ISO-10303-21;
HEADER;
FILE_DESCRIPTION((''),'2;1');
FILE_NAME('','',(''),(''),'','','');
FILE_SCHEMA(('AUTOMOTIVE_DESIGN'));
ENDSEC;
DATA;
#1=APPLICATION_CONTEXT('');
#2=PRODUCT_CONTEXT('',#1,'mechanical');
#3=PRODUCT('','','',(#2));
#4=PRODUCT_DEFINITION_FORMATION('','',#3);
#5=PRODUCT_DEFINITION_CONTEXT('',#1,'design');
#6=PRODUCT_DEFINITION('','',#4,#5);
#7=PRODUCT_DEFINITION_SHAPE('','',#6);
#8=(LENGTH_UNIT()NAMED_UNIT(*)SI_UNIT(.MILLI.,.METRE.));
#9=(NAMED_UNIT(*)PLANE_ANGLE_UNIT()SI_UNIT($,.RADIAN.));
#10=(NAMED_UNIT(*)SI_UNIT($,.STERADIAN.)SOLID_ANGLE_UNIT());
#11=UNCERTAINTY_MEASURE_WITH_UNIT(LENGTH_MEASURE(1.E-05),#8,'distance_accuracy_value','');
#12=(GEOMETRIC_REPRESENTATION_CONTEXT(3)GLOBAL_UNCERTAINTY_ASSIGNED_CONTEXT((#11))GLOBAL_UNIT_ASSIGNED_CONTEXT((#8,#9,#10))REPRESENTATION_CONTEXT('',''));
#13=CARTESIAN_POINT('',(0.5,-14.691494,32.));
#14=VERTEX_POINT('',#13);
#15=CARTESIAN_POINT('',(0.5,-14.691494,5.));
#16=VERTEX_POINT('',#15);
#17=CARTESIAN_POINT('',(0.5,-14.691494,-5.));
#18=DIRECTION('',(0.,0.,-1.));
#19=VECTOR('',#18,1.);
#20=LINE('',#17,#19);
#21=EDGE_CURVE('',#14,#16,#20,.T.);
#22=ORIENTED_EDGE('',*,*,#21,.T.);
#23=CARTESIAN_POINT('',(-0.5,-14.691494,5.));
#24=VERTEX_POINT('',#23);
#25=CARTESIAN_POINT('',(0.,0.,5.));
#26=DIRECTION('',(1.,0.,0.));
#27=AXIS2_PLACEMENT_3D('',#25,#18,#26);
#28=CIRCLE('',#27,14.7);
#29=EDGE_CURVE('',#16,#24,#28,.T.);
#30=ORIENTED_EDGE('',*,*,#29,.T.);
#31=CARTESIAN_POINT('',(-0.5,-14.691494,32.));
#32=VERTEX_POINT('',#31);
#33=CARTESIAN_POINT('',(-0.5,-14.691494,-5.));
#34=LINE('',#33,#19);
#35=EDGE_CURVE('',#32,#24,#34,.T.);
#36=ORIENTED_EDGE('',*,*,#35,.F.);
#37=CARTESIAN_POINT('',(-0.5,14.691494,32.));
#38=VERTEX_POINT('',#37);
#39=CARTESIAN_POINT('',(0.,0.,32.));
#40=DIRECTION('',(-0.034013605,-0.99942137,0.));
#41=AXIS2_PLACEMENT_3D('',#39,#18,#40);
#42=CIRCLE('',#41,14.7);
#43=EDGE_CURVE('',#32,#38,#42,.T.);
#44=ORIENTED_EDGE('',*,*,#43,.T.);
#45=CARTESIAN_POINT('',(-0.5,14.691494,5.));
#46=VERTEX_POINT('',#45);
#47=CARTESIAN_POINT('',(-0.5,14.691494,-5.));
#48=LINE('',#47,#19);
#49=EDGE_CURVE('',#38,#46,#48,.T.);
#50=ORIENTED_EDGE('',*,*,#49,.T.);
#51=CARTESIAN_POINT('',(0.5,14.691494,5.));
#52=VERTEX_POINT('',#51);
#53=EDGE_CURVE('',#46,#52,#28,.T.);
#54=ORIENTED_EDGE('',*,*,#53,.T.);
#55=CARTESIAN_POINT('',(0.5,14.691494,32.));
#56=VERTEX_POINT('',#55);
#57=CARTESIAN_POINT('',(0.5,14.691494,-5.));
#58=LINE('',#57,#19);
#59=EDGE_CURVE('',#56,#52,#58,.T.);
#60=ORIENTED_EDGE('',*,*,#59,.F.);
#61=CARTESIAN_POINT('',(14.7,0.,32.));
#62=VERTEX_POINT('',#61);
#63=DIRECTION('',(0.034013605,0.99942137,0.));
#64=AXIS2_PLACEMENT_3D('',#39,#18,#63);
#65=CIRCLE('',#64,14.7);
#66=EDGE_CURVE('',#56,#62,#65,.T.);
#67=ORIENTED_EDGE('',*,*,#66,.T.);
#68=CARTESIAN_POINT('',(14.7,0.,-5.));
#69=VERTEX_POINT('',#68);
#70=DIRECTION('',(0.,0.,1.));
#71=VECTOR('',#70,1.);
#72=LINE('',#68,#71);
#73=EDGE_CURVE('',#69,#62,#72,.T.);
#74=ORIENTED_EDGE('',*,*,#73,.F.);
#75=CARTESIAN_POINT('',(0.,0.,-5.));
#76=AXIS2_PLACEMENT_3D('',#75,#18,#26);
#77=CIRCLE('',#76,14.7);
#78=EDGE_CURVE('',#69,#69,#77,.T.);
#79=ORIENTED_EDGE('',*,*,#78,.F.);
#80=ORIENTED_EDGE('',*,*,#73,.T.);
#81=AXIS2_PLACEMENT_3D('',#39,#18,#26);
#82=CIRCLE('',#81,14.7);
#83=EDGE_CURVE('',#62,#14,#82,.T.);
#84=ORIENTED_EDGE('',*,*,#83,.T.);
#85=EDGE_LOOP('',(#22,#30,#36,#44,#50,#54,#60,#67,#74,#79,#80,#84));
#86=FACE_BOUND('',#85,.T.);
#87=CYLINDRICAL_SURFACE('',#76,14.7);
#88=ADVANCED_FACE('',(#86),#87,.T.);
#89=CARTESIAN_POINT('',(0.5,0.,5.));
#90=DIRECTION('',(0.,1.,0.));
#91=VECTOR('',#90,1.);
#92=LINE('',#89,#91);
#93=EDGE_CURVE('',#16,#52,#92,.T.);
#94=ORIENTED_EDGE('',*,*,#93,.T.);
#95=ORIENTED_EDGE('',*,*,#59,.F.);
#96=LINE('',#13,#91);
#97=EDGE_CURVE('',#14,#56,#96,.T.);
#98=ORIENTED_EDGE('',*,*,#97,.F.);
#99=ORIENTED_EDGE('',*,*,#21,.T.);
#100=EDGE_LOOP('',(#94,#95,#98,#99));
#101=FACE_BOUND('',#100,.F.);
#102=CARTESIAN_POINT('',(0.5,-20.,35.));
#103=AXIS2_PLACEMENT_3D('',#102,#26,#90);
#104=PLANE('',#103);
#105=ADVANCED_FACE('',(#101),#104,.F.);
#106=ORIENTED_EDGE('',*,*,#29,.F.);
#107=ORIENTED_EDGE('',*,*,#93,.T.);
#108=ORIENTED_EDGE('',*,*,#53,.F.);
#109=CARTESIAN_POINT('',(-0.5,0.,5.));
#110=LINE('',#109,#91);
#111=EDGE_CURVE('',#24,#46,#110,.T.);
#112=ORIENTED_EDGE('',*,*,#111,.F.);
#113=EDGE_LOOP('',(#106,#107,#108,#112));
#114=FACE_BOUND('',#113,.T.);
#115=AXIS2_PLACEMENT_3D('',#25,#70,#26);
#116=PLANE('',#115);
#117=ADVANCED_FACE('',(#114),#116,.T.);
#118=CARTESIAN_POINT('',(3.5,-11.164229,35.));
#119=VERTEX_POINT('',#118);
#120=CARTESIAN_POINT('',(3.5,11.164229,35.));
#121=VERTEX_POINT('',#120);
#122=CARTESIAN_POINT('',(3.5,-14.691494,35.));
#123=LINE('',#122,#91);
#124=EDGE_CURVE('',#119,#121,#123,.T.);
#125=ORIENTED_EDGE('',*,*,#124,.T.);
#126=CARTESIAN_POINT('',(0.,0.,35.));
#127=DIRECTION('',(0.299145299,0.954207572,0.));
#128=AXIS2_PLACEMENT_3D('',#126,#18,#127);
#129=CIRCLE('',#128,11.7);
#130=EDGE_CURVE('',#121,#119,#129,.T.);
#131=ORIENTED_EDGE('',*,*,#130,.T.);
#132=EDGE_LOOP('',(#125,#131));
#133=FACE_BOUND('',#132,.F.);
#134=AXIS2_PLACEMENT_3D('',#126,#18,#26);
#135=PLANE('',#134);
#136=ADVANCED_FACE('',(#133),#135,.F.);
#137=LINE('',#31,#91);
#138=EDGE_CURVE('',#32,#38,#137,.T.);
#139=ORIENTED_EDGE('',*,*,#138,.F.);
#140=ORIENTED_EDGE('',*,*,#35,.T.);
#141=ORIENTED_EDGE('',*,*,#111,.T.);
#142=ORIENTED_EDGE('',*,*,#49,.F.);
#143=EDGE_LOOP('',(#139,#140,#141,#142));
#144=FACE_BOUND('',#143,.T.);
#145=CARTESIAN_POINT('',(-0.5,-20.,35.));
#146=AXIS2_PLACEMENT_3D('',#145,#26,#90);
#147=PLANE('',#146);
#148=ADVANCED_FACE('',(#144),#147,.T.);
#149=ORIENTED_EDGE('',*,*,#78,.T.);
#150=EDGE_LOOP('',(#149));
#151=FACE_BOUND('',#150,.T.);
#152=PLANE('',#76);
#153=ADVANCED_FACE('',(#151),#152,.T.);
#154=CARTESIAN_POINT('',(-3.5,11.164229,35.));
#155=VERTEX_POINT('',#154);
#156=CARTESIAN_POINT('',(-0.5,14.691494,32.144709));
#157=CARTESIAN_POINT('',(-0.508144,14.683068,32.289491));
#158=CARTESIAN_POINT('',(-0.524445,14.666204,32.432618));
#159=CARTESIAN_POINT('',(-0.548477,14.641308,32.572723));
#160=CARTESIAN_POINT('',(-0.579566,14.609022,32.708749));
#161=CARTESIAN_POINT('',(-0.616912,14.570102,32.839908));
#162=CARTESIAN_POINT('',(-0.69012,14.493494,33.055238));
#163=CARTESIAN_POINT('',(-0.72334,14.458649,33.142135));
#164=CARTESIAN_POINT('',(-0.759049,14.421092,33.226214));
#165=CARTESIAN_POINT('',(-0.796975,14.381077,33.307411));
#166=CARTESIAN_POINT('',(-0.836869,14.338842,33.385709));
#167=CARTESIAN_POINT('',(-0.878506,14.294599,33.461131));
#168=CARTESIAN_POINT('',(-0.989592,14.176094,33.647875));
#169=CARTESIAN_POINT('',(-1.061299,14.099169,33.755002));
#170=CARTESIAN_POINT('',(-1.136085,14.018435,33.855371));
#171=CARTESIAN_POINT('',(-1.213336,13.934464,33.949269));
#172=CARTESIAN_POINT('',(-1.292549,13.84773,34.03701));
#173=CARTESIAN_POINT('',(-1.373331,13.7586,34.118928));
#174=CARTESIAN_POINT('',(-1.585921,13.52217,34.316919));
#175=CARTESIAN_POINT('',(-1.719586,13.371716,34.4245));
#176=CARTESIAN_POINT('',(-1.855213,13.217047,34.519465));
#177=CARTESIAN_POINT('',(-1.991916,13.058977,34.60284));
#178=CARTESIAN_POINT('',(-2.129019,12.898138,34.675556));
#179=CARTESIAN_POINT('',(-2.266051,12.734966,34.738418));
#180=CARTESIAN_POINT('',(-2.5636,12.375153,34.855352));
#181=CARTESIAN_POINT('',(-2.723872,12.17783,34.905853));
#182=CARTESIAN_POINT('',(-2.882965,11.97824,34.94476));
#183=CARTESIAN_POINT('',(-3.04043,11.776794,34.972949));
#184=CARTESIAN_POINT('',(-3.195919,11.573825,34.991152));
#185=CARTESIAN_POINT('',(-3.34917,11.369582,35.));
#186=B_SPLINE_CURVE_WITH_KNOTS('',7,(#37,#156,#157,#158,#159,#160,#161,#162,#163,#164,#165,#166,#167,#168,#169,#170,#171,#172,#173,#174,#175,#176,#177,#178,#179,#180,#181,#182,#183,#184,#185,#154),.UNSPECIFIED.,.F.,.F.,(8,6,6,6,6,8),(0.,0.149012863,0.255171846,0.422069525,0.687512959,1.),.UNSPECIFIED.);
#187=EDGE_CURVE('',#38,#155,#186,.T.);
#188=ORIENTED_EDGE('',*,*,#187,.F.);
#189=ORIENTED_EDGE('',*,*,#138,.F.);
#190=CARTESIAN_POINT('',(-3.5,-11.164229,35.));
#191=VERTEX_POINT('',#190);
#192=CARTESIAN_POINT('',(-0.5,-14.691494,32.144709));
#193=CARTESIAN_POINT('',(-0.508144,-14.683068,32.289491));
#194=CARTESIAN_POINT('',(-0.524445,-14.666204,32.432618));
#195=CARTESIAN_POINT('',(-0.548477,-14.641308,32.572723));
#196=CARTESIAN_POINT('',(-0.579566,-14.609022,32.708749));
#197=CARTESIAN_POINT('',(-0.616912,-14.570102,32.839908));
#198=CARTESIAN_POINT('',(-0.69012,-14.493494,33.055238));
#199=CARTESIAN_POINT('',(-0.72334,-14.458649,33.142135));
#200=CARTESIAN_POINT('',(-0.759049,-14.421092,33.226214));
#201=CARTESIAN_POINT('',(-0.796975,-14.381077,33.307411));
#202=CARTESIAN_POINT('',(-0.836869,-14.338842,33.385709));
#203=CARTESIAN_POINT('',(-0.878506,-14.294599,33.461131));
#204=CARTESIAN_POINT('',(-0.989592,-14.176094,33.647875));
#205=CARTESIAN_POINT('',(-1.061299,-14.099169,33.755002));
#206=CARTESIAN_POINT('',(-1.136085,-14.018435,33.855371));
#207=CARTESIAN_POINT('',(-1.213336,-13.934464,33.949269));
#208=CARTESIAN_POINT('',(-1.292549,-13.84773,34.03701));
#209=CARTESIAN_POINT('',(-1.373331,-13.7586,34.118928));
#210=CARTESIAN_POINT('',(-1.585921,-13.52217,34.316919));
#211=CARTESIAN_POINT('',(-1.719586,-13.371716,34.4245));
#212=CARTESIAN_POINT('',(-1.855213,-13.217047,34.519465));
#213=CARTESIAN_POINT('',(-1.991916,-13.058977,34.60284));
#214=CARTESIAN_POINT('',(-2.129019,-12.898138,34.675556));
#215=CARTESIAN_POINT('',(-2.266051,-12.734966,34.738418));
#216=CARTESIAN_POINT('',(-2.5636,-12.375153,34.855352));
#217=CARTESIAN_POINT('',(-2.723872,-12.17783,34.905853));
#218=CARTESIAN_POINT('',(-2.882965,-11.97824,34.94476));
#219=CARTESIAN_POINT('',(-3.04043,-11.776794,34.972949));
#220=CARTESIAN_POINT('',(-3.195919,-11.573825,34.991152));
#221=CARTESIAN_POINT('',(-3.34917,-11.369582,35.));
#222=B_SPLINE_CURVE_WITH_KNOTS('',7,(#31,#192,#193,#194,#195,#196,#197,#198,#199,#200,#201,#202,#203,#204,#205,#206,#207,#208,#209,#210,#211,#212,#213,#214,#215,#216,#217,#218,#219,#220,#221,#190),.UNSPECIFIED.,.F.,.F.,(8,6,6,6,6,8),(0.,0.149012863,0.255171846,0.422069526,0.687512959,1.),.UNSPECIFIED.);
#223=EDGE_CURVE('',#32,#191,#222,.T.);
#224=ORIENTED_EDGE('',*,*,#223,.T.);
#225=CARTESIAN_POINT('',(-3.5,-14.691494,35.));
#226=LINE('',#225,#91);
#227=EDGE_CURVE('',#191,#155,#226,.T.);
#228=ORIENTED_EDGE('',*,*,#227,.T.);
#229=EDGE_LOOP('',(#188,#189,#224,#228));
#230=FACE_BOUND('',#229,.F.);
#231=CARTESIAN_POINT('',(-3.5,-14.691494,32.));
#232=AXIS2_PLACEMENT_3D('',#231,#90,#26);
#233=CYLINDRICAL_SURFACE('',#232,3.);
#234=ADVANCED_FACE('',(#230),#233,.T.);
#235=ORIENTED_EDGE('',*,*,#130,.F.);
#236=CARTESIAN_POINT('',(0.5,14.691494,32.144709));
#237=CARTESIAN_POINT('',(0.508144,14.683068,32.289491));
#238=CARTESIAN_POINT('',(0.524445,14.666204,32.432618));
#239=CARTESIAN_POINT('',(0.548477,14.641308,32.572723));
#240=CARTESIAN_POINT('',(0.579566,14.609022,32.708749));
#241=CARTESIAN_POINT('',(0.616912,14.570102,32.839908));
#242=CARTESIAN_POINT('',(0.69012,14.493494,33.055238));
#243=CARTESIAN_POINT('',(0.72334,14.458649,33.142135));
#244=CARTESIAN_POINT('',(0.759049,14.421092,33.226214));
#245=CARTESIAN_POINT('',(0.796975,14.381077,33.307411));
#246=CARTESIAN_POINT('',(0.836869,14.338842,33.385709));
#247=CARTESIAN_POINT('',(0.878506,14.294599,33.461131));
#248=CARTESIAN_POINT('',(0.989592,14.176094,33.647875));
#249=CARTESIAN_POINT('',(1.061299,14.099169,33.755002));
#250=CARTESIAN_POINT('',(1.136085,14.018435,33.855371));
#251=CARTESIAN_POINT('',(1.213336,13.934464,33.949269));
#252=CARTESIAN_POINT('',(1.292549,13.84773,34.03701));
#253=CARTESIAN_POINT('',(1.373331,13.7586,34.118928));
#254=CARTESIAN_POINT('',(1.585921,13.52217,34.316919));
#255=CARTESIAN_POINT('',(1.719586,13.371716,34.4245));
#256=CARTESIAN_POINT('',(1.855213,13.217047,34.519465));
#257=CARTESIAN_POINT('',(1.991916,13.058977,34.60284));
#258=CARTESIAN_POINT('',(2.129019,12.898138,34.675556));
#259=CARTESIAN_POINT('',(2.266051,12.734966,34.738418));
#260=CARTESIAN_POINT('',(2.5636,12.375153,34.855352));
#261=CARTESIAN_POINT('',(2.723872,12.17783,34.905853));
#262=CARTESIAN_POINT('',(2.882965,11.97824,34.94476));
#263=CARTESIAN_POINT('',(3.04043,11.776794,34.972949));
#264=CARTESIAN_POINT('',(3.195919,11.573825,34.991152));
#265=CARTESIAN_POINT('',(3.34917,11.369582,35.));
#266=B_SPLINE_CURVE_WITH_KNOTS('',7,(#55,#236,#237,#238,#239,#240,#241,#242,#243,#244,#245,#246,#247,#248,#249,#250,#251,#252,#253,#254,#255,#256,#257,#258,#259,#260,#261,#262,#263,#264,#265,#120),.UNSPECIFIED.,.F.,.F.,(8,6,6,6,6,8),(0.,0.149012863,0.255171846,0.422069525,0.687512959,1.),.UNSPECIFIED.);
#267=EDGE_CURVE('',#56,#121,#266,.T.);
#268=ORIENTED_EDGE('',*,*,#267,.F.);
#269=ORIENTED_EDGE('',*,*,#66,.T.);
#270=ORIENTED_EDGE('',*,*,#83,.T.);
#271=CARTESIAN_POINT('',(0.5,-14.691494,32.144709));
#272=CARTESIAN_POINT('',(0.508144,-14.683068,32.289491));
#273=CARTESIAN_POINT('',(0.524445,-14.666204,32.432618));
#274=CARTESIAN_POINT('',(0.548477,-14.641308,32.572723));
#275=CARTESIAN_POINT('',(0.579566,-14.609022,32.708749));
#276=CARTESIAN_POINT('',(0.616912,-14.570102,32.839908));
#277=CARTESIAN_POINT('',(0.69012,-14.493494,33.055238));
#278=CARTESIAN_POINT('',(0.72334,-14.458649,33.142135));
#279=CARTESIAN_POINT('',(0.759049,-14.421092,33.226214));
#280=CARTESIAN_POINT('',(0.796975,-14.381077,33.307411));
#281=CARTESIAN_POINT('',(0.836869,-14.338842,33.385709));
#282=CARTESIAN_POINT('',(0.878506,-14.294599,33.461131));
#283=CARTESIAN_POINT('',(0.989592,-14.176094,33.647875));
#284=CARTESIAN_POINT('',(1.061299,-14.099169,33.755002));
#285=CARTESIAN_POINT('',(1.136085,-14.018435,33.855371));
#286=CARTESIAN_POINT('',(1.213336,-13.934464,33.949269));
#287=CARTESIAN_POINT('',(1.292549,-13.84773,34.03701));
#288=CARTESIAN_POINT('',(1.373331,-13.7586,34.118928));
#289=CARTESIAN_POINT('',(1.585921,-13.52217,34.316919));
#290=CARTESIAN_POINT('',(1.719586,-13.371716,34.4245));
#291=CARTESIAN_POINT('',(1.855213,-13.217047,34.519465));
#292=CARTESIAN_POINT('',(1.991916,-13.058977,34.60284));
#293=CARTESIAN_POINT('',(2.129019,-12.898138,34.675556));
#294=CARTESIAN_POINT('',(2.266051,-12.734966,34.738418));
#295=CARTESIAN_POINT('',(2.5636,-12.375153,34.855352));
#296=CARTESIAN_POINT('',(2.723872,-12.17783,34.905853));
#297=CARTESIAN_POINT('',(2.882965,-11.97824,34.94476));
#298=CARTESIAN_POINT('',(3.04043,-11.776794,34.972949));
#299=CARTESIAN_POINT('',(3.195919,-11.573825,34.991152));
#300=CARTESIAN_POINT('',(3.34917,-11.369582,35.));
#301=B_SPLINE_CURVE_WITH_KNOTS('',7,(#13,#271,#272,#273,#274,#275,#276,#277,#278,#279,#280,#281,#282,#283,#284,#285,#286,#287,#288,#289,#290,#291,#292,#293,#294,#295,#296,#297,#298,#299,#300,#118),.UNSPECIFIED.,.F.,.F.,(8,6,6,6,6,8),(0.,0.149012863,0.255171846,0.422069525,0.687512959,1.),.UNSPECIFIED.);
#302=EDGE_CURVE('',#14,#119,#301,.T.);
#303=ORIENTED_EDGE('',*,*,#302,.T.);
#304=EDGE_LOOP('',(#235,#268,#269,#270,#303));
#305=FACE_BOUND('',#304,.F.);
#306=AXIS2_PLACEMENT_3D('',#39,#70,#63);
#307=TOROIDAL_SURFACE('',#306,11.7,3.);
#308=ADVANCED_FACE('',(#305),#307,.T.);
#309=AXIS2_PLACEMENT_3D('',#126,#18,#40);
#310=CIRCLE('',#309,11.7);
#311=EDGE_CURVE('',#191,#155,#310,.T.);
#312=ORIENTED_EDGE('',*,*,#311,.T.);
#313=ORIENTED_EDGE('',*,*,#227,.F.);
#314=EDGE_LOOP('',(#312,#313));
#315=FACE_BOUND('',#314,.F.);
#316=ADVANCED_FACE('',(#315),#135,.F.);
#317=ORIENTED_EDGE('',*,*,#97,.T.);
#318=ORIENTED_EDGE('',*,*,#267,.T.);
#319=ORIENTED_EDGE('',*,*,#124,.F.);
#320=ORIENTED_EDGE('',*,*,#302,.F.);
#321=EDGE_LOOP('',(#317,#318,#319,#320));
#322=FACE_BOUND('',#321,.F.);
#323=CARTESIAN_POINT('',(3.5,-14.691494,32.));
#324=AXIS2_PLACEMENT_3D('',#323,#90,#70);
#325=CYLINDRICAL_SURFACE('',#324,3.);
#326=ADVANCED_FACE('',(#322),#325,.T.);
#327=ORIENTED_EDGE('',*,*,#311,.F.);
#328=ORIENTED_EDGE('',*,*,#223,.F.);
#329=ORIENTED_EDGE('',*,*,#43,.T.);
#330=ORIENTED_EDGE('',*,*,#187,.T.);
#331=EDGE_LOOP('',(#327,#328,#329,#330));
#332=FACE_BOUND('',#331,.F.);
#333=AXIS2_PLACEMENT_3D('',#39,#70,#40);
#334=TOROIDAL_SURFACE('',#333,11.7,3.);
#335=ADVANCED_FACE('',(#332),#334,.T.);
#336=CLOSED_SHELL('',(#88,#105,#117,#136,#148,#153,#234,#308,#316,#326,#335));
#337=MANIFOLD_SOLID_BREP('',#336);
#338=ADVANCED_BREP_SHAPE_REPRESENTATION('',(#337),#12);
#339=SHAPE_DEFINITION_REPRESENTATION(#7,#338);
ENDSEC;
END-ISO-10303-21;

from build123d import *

# Parameters (mm, degrees)
SKETCH002_R  = 14.7
PAD002_DEPTH = 40
SKETCH003_W  = 1
SKETCH003_H  = 40
POCKET_DEPTH = 30
FILLET_R     = 3


with BuildPart() as part:
    # Sketch002 (on Binder) → Pad002 (new body)
    with BuildSketch(Plane(origin=(0, 0, -5), x_dir=(1, 0, 0), z_dir=(0, 0, -1))):
        Circle(SKETCH002_R)
    extrude(amount=-PAD002_DEPTH)

    # Sketch003 (on Face3 of Pad002) → Pocket (cut)
    with BuildSketch(Plane.XY.offset(35)):
        Rectangle(SKETCH003_W, SKETCH003_H)
    extrude(amount=-POCKET_DEPTH, mode=Mode.SUBTRACT)

    # Fillet
    fillet_edges = [part.edges().sort_by_distance(p)[0] for p in [
        (-14.7, 0, 35),
        (-0.5, 0, 35),
        (10.569768, -10.216164, 35),
        (0.5, 0, 35),
        (10.569768, 10.216164, 35),
    ]]
    fillet(fillet_edges, radius=FILLET_R)


solid = part.part
